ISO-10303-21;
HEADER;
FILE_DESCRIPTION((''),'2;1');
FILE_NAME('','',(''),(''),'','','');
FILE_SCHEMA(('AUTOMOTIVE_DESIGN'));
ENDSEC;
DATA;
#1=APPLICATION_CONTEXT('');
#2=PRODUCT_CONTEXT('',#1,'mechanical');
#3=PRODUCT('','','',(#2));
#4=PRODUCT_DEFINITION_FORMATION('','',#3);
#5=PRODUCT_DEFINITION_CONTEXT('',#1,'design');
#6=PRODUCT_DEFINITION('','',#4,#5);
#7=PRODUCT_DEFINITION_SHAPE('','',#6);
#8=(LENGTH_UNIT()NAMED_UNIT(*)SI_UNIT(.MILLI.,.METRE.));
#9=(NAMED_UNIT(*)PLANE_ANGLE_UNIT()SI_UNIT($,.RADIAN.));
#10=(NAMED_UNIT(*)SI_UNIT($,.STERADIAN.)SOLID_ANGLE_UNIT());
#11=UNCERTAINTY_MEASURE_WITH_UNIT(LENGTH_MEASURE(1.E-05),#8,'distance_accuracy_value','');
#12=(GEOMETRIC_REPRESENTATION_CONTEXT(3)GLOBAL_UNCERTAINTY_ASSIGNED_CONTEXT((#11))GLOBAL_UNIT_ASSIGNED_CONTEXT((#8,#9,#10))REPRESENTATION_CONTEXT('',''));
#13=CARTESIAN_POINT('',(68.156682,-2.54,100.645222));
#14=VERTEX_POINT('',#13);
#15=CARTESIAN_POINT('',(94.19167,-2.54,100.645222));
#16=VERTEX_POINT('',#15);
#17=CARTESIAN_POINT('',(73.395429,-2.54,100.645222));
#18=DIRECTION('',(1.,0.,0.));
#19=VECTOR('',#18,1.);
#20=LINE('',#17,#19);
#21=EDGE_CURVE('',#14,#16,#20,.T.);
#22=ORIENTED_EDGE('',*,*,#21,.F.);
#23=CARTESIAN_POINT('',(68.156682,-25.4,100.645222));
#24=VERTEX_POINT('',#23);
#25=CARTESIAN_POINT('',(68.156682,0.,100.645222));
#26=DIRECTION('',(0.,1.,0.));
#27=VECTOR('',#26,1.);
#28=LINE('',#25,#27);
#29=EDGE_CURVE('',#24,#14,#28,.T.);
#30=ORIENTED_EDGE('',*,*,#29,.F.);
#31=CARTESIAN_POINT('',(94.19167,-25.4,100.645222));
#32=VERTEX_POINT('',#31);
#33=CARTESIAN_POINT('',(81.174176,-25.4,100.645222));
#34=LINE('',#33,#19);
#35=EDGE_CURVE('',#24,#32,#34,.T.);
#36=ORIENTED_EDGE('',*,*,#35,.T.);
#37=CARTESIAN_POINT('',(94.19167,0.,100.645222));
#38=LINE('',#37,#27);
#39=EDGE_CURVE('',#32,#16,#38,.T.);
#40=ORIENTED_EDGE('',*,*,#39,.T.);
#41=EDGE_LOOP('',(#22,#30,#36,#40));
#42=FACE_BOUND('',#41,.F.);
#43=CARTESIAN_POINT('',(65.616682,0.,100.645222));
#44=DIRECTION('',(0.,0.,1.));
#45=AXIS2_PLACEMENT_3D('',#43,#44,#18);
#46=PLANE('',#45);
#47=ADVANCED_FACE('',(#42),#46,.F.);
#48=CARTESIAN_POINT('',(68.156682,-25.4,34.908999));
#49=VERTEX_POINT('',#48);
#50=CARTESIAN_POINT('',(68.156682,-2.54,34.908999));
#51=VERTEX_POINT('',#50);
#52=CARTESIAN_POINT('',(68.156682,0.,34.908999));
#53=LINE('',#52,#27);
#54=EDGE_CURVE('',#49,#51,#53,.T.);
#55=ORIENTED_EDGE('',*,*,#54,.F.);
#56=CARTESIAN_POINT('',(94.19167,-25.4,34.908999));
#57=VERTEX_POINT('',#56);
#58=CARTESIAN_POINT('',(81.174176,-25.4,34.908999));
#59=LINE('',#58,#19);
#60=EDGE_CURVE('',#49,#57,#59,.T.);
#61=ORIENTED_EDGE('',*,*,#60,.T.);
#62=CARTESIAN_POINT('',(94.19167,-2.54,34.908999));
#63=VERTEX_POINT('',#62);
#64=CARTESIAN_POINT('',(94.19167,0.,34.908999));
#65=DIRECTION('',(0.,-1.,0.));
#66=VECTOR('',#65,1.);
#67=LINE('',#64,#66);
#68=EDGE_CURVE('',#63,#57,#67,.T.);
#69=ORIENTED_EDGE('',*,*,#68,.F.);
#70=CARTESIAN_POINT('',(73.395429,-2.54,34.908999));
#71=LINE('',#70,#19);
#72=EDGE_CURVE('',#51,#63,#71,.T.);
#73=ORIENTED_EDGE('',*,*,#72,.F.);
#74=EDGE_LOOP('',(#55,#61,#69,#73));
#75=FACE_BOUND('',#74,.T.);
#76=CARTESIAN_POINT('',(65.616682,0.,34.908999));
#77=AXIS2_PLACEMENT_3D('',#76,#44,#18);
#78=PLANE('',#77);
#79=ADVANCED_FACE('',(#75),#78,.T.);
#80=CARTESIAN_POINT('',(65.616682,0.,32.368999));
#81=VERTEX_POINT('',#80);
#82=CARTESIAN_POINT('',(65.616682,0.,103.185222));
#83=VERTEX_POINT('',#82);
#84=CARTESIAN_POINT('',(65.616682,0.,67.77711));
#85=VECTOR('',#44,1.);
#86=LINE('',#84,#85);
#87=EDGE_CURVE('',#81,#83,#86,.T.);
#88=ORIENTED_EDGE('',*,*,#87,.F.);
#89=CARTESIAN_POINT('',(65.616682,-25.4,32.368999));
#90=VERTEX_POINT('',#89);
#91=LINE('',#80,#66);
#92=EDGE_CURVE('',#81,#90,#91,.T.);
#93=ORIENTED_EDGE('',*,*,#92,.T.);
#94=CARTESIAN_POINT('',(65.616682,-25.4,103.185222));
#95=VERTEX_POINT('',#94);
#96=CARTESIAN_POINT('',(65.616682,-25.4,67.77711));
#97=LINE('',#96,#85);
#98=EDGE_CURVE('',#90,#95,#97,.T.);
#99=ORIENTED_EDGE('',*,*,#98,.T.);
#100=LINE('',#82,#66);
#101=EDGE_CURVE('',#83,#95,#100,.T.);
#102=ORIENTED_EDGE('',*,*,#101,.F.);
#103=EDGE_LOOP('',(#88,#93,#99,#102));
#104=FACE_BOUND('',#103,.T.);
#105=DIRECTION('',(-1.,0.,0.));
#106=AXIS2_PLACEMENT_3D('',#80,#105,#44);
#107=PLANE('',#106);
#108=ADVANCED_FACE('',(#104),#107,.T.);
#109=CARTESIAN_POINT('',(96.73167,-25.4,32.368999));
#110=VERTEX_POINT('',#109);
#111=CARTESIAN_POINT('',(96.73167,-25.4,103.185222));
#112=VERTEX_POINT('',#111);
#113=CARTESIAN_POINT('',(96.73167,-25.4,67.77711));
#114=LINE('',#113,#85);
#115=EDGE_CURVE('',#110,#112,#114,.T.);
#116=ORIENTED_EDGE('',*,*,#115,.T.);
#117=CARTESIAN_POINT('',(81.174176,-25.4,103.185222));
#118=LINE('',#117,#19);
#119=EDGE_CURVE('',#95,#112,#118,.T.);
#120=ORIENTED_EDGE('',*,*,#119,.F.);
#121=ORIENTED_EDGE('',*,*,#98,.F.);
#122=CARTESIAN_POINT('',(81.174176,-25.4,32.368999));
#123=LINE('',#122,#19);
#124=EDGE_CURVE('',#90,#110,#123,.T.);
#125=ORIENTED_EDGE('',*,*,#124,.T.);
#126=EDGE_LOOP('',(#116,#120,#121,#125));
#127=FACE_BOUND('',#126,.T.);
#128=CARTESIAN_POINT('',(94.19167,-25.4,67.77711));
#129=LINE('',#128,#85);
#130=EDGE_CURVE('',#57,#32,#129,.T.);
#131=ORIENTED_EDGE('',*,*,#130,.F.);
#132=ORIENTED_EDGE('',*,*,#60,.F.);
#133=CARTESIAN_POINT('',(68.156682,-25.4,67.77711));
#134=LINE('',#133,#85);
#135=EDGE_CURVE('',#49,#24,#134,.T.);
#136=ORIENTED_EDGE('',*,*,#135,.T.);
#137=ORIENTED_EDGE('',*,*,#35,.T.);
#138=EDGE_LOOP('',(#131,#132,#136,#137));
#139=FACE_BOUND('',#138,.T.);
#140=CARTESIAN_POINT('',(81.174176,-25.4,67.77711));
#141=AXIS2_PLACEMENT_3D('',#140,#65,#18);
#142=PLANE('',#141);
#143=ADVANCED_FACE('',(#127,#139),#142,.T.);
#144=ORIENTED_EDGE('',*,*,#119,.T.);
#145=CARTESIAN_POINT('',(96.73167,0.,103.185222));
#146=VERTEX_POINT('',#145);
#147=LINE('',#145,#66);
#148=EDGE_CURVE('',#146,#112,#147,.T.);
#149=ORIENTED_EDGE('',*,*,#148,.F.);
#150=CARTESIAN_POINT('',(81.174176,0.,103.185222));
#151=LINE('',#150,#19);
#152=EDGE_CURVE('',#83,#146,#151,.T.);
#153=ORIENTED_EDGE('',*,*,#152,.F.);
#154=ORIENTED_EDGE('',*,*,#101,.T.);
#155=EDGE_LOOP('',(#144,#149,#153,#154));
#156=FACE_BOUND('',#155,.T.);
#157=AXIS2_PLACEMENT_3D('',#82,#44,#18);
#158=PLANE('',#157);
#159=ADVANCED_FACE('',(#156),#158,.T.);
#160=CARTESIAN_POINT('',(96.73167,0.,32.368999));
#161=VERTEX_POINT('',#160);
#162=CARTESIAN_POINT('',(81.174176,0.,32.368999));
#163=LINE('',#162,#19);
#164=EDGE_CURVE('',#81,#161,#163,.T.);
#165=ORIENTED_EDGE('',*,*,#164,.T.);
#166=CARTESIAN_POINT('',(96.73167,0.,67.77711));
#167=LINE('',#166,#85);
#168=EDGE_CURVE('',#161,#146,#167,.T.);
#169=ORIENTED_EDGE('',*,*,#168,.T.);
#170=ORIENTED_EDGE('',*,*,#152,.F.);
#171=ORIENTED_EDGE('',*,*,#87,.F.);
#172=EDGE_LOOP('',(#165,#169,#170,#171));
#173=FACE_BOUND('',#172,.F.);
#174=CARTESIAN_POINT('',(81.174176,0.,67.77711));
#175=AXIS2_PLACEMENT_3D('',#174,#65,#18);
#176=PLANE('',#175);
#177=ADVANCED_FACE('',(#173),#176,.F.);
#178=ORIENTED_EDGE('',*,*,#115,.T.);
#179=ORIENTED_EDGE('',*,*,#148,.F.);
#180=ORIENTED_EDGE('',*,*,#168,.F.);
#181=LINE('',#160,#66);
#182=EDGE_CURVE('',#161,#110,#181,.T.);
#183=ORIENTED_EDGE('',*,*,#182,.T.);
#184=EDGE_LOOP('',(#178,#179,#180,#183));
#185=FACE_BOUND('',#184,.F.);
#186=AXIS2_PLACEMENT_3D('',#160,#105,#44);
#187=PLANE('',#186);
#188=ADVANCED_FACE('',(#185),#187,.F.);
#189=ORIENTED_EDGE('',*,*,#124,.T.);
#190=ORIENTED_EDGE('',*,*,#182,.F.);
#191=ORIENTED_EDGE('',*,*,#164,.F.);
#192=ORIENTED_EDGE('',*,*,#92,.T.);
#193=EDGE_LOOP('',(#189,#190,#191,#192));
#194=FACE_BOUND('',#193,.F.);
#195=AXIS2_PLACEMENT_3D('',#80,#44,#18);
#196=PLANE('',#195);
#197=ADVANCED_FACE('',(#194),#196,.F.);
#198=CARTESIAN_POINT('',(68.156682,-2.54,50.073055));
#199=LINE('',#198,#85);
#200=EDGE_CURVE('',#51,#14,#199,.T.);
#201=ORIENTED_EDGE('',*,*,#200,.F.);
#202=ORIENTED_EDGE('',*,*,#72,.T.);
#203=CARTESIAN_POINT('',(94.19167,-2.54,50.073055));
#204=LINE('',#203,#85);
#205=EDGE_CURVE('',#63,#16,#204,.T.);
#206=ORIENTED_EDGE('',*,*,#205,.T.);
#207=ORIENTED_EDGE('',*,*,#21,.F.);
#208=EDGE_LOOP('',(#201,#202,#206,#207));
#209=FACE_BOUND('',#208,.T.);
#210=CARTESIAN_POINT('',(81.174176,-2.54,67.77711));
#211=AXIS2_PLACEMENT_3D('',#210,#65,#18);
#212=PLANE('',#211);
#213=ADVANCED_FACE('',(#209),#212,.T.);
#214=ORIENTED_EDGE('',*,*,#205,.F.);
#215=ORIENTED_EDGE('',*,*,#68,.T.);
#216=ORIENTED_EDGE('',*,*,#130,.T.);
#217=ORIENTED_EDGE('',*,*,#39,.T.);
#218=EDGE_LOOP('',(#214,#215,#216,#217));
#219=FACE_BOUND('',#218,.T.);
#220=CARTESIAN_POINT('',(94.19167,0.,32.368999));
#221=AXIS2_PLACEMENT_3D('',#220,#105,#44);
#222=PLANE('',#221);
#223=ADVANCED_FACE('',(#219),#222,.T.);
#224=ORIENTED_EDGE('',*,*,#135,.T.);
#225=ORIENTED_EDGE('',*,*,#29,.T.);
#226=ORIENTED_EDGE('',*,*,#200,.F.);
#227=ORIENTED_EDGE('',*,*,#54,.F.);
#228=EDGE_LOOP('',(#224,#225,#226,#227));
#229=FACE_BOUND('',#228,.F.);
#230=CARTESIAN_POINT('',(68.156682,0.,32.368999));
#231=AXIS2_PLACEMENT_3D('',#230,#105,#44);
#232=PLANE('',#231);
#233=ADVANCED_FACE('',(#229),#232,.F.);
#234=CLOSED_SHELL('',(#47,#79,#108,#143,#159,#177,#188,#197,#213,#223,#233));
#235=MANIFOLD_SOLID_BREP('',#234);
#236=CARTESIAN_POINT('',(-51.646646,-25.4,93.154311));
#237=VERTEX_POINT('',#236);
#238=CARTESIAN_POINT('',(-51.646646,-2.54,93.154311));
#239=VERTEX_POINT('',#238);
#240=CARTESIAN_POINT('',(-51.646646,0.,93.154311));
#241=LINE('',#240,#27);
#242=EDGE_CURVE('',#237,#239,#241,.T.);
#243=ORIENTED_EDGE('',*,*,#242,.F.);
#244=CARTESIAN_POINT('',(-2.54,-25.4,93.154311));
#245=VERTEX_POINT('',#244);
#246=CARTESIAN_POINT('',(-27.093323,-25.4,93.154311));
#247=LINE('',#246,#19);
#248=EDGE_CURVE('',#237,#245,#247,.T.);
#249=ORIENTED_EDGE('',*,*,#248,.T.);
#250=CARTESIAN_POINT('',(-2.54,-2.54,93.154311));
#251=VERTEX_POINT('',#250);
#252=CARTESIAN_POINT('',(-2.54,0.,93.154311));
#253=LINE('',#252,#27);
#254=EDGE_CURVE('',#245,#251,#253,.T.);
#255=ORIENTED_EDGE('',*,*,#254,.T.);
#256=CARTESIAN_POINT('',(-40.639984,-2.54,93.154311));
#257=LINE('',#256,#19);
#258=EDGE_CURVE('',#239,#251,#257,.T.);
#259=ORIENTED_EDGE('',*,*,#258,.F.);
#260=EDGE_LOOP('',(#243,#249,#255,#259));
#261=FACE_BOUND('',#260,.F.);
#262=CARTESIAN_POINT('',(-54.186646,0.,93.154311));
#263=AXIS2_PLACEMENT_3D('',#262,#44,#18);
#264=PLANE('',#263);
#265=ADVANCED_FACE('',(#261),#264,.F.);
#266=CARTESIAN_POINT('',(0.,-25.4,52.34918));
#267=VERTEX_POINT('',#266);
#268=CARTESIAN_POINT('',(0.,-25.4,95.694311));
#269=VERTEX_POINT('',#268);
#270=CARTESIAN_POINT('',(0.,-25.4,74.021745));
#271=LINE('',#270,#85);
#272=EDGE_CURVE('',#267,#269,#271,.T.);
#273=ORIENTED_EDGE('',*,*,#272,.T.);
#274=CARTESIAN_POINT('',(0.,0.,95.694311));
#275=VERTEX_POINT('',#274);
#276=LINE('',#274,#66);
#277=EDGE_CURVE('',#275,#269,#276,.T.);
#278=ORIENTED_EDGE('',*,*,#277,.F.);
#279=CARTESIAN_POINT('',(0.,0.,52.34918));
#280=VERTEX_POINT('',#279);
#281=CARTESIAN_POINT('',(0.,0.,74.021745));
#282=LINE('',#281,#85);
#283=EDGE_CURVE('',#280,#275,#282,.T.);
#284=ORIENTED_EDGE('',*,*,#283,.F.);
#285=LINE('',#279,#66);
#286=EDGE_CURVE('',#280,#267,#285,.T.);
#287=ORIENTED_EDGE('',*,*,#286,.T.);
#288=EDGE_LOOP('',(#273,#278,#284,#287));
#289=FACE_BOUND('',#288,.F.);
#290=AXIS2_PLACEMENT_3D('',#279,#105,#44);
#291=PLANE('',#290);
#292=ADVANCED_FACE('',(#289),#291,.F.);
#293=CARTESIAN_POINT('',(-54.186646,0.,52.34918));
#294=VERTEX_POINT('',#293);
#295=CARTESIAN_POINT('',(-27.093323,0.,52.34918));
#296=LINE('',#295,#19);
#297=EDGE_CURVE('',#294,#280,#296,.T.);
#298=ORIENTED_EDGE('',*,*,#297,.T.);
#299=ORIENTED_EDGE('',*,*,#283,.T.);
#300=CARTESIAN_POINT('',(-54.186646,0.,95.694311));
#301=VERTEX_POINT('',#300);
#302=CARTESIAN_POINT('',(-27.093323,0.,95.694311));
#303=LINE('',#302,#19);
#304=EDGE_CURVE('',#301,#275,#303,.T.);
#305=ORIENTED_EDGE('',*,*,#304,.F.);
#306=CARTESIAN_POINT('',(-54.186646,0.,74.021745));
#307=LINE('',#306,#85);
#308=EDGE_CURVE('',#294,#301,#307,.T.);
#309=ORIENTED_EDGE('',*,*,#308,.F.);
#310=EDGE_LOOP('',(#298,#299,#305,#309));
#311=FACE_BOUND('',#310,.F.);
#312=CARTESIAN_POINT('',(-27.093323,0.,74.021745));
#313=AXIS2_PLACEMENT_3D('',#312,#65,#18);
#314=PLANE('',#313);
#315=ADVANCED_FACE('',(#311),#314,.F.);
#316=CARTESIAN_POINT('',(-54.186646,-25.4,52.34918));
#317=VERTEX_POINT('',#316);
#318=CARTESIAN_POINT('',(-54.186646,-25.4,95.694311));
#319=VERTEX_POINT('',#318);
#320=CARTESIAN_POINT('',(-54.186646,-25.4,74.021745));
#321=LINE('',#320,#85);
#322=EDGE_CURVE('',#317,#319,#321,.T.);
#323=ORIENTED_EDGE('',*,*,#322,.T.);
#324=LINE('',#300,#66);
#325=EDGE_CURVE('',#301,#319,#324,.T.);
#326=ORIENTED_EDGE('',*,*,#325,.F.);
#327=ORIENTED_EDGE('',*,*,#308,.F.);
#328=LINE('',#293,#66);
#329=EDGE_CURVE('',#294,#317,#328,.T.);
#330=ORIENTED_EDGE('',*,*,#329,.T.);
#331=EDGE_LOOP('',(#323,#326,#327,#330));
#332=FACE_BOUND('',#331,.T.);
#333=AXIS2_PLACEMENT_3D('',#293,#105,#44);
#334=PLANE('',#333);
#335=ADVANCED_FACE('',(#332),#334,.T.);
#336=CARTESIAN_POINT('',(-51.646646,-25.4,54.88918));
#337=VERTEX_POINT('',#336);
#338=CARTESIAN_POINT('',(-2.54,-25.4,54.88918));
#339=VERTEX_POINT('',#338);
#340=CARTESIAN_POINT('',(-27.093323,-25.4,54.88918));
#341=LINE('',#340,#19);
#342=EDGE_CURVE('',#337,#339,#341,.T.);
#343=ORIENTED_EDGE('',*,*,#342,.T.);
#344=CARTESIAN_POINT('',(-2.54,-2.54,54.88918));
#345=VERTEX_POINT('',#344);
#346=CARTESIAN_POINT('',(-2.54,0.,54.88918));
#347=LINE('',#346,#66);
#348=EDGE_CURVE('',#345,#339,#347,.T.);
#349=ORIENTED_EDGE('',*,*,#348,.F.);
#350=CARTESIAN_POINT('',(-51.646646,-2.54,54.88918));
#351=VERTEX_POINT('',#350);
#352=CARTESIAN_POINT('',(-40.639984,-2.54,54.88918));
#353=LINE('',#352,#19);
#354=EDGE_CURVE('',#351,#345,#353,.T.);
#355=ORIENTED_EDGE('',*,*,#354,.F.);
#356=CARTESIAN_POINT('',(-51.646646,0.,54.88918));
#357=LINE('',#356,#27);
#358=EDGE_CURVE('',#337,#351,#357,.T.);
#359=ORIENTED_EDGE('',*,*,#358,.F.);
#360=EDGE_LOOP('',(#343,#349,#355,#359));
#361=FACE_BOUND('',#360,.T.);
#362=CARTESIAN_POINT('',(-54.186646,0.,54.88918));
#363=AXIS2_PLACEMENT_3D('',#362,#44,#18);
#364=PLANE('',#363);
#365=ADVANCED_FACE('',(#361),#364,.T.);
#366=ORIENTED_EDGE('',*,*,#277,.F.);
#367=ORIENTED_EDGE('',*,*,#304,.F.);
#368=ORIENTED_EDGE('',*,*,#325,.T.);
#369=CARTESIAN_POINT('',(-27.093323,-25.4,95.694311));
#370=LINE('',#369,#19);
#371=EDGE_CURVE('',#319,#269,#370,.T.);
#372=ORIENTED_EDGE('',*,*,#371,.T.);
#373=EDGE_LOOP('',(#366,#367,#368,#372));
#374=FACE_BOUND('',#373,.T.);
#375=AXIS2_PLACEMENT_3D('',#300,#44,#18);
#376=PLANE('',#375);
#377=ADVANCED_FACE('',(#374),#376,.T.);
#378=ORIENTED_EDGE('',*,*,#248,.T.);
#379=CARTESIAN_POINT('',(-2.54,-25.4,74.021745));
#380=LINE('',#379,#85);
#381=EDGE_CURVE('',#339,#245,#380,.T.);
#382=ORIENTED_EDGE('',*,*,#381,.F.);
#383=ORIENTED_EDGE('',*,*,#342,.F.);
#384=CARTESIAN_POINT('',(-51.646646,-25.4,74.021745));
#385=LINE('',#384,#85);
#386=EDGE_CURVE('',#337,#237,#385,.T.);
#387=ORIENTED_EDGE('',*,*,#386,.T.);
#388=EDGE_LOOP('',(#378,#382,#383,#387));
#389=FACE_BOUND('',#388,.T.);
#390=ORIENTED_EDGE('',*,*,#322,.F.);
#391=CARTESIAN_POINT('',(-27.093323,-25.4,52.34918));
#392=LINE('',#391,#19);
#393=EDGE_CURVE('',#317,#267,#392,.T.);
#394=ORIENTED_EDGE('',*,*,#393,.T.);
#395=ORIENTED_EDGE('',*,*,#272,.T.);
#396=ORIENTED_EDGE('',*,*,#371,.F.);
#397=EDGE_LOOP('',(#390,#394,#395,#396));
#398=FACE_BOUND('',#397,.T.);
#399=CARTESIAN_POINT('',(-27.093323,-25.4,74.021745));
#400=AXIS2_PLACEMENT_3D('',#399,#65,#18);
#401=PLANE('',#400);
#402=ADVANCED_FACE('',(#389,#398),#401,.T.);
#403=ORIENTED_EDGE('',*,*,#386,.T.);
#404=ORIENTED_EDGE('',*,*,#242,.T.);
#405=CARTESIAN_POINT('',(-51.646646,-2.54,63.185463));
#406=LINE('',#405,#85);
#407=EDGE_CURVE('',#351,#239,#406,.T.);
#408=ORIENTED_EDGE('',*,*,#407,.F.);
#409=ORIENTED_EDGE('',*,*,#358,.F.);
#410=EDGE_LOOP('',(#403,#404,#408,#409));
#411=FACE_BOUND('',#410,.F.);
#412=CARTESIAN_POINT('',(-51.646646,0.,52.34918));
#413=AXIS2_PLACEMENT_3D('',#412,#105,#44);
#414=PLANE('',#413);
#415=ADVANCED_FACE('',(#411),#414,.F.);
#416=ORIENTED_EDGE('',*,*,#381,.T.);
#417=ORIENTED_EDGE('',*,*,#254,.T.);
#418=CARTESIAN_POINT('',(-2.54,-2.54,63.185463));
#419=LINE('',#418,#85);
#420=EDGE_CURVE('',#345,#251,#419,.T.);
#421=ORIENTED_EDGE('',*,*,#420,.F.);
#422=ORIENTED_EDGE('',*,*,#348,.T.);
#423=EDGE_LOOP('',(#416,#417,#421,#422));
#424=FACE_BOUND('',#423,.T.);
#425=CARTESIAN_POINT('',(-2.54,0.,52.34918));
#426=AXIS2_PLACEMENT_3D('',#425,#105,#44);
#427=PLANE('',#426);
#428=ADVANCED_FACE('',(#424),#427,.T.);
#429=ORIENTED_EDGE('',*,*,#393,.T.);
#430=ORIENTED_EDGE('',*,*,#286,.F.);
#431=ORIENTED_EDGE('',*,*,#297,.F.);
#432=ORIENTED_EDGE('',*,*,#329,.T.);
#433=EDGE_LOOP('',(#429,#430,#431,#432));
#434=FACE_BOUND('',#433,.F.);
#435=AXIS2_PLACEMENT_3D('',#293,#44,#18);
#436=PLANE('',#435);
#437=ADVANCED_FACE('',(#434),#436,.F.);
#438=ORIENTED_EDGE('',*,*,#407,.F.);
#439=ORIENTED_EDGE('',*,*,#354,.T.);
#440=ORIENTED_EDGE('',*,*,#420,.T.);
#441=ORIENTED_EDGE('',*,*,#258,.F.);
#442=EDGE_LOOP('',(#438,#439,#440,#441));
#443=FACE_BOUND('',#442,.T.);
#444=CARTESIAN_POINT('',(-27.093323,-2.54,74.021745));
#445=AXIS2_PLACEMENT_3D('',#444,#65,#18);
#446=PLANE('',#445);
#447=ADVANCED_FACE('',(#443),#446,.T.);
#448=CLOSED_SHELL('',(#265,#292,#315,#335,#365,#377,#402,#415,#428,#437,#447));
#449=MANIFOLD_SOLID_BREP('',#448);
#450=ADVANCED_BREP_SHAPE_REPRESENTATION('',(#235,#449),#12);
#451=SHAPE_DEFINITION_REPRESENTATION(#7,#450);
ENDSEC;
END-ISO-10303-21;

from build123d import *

# Parameters (mm, degrees)
F0_W     = 54.1866458952
F0_H     = 43.34513098
F1_DEPTH = 25.4
F0_W_2   = 31.114988029
F0_H_2   = 70.8162225783
F2_T     = -2.54
F3_T     = -2.54


with BuildPart() as f1:
    # F0 (on Front) → F1 (new body)
    with BuildSketch(Plane.XZ):
        with Locations((-27.0933229476, 74.0217454731)):
            Rectangle(F0_W, F0_H)
    extrude(amount=F1_DEPTH)

    # F2
    f2_openings = [f1.faces().sort_by_distance(p)[0] for p in [
        (-27.093323, -25.4, 74.021745),
    ]]
    offset(amount=F2_T, openings=f2_openings)


with BuildPart() as f1b:
    # F0 (on Front) → F1, piece 2 (new body)
    with BuildSketch(Plane.XZ):
        with Locations((81.1741761863, 67.7771102637)):
            Rectangle(F0_W_2, F0_H_2)
    extrude(amount=F1_DEPTH)

    # F3
    f3_openings = [f1b.faces().sort_by_distance(p)[0] for p in [
        (81.174176, -25.4, 67.77711),
    ]]
    offset(amount=F3_T, openings=f3_openings)


solid = Compound([f1.part, f1b.part])
